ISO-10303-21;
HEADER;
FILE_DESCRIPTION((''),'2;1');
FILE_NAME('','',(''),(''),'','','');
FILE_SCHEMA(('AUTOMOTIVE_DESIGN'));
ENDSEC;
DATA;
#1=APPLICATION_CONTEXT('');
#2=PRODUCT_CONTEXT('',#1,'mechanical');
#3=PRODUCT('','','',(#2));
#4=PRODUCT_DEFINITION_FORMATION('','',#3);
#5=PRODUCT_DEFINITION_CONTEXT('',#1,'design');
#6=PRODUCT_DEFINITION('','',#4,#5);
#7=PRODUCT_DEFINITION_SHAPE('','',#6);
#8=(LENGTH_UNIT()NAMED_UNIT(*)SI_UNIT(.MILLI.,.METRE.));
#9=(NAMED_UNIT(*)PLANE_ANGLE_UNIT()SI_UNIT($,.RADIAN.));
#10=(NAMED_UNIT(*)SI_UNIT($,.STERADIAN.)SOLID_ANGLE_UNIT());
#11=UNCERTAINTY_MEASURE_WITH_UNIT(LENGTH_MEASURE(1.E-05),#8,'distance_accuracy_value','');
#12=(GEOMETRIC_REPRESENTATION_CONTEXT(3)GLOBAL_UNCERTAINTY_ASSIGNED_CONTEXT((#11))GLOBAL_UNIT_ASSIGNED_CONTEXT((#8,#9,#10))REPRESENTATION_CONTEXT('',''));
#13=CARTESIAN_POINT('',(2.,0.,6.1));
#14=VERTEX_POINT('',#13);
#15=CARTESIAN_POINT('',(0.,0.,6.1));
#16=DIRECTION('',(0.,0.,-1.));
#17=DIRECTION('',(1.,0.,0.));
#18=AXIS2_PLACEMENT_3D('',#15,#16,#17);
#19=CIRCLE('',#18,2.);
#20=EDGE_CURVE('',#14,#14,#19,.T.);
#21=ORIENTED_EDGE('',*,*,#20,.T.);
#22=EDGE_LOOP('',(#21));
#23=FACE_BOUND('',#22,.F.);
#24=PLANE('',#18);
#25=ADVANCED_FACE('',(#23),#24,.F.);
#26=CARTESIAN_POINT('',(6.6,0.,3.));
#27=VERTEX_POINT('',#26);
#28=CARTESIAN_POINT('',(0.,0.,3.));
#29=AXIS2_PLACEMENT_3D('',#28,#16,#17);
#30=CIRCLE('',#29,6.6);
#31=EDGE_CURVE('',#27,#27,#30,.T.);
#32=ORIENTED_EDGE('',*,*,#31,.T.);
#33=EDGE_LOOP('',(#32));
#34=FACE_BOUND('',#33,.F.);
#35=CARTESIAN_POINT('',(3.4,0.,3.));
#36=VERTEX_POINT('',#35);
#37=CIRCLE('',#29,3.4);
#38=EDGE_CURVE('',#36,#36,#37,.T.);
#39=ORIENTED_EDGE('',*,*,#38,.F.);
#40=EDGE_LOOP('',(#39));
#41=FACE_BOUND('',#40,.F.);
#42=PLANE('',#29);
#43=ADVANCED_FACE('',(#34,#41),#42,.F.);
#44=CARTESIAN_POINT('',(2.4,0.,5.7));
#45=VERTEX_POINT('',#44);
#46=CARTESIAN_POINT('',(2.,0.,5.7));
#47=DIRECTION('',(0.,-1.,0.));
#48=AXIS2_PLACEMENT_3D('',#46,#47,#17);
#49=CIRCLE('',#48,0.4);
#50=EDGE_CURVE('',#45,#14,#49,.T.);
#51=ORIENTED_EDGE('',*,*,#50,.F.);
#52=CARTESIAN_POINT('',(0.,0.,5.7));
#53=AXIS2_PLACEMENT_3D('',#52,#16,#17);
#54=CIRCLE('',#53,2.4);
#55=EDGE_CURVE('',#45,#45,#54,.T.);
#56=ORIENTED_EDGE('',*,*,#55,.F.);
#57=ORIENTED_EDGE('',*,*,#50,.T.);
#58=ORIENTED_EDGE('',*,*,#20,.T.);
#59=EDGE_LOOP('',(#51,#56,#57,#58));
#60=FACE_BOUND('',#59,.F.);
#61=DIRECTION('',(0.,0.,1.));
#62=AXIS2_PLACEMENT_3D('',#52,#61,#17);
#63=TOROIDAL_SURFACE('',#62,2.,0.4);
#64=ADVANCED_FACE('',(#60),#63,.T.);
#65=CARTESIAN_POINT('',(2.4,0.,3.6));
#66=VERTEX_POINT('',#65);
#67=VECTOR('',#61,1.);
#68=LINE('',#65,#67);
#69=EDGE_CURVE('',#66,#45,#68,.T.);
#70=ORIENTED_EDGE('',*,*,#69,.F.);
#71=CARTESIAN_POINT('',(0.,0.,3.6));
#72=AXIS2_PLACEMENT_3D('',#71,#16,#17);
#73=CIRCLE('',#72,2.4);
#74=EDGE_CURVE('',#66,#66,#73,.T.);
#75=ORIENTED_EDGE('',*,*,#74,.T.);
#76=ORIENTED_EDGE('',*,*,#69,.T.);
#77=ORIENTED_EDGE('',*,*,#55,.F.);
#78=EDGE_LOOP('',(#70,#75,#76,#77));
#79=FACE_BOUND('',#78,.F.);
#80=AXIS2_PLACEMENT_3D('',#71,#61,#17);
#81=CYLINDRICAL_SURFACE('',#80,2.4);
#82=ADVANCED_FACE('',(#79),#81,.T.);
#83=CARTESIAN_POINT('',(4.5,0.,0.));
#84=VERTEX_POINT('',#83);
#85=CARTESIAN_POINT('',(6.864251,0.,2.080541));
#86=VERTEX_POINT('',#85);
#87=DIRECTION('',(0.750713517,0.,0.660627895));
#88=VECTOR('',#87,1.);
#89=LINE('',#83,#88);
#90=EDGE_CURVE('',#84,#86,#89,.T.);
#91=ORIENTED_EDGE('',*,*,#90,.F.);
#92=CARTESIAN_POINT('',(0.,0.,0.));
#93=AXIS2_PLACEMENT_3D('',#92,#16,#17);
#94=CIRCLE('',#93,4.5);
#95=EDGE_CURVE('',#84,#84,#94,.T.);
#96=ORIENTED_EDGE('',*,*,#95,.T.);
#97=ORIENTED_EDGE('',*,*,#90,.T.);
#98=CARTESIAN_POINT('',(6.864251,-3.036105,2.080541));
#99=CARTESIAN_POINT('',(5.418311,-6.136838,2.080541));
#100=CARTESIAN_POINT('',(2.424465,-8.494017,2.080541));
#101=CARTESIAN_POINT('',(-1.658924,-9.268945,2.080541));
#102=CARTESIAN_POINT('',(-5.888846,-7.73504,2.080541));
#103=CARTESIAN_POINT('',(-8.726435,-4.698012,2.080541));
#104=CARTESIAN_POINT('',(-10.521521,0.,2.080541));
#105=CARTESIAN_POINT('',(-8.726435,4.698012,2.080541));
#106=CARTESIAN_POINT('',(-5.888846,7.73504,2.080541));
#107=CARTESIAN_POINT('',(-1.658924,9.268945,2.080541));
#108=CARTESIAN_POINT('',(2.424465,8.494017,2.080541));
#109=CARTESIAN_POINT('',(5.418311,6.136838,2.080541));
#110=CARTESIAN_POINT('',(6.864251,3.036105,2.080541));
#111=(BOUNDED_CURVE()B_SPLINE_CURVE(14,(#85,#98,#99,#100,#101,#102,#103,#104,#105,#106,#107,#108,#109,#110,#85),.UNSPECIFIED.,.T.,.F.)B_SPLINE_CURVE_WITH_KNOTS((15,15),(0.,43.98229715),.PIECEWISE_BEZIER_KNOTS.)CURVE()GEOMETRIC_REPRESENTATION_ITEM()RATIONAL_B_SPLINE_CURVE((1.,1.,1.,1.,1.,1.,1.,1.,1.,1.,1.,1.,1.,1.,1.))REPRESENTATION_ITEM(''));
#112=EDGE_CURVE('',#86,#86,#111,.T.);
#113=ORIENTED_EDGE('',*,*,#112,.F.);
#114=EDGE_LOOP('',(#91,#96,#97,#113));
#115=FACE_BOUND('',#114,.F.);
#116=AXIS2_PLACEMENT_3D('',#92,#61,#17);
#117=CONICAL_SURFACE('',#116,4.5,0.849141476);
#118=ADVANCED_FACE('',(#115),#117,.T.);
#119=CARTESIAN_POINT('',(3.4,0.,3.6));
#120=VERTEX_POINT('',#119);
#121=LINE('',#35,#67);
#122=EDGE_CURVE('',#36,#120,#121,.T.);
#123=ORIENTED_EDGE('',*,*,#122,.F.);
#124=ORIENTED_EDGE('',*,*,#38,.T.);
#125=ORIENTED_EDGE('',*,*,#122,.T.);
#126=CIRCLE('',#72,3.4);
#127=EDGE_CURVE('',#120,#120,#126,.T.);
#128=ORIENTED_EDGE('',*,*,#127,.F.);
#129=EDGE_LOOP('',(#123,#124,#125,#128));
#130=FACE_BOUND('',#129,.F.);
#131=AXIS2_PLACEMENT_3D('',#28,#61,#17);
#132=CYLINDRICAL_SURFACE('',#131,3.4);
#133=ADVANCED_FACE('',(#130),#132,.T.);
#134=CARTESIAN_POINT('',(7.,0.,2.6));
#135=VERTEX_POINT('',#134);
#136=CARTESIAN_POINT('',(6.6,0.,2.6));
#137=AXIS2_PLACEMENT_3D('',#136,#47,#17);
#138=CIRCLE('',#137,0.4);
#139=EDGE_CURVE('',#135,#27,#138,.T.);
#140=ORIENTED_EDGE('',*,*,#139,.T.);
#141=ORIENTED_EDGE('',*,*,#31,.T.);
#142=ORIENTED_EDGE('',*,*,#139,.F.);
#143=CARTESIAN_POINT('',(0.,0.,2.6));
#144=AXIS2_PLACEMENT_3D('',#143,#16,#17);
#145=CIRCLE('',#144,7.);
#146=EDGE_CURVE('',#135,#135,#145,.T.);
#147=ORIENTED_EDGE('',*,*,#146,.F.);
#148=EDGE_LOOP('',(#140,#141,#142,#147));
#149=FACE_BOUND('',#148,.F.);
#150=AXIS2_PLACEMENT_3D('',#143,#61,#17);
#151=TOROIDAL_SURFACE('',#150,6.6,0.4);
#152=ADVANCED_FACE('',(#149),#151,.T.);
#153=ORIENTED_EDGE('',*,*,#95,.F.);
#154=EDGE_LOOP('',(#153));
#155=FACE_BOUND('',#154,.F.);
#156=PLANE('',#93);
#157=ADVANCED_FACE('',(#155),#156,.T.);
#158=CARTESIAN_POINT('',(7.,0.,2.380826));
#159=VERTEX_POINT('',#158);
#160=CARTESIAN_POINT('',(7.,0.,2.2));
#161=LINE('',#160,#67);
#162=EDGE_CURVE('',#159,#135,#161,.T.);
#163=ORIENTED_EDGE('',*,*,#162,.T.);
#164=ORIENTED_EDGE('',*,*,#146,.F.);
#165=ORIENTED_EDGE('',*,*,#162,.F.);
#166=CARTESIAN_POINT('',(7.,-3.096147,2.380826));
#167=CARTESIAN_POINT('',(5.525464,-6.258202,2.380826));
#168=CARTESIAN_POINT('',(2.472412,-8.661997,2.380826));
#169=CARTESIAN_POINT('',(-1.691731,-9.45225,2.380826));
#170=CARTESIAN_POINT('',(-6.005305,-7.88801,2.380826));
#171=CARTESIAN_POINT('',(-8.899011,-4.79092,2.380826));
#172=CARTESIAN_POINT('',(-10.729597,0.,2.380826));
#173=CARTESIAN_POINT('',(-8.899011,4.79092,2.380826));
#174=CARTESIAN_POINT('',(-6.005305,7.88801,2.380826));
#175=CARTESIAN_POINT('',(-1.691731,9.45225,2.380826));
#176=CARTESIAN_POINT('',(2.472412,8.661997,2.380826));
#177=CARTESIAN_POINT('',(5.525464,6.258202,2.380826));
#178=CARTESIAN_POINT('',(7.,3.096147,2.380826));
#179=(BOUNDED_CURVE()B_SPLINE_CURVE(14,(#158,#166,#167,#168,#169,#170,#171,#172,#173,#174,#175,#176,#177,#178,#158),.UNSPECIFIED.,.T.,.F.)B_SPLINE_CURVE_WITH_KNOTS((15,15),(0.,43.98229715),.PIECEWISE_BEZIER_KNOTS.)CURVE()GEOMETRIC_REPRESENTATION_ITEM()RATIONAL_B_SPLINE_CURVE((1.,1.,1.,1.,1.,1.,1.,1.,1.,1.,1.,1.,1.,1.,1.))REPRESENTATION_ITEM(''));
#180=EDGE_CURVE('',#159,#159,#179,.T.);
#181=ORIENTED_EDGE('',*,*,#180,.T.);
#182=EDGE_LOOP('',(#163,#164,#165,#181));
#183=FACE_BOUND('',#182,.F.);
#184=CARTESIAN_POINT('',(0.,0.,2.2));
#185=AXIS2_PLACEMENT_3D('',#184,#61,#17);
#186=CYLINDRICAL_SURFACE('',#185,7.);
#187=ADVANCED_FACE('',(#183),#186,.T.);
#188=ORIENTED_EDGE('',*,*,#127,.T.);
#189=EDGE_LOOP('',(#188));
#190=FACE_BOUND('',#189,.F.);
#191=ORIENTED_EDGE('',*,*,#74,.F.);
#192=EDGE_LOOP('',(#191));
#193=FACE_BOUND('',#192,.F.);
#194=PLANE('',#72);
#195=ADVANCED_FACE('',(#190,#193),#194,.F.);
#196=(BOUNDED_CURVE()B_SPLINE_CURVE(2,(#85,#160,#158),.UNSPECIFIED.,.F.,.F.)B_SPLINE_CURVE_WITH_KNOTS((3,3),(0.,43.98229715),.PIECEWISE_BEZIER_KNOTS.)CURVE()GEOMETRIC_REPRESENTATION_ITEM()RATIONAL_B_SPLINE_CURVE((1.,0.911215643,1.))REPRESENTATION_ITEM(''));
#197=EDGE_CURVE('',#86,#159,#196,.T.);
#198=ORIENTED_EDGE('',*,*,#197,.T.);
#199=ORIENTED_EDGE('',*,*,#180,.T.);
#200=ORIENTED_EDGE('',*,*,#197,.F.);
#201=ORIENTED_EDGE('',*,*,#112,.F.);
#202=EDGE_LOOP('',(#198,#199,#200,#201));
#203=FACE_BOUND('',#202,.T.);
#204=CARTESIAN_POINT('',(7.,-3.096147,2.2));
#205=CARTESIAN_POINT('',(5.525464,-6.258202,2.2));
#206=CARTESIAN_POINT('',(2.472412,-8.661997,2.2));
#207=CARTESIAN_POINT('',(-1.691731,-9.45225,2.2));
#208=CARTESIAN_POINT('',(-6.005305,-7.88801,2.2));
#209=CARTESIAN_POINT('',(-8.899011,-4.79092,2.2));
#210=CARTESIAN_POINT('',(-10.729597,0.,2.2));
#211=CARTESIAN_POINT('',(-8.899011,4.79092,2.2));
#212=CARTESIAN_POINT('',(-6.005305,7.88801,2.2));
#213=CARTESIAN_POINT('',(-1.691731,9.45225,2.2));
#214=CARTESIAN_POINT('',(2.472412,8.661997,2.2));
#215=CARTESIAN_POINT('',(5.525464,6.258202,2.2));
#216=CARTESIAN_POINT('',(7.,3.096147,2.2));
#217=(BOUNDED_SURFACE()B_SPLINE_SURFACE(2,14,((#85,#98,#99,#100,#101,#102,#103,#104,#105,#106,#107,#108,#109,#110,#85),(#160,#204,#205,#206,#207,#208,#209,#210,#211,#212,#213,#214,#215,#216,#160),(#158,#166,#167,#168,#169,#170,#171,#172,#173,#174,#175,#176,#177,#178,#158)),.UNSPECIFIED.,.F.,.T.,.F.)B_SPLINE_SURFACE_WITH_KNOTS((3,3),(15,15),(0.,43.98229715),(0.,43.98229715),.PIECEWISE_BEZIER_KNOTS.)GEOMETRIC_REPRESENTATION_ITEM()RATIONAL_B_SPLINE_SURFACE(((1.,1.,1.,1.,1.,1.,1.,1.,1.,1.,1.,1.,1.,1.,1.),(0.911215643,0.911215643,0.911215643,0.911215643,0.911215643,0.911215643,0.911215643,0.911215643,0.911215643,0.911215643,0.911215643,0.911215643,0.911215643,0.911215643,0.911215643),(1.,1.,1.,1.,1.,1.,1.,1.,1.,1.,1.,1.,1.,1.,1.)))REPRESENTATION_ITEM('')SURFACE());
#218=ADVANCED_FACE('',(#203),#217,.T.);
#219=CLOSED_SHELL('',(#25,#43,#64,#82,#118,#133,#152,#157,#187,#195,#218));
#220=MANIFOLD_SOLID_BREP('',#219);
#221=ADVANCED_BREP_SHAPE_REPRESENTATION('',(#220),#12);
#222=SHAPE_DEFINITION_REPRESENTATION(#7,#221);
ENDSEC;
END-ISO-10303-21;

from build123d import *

# Parameters (mm, degrees)
F3_R = 0.4


with BuildPart() as f2:
    # F0 (on Front) → F2 (revolve)
    with BuildSketch(Plane.XZ):
        Polygon((0, 6.1), (0, 0), (4.5, 0), (7, 2.2), (7, 3), (3.4, 3), (3.4, 3.6), (2.4, 3.6), (2.4, 6.1), align=None)
    revolve(axis=Axis((0, 0, 11.599848), (0, 0, -1)))

    # F3
    f3_edges = [f2.edges().sort_by_distance(p)[0] for p in [
        (-7, 0, 2.2),
        (-2.4, 0, 6.1),
        (-7, 0, 3),
    ]]
    fillet(f3_edges, radius=F3_R)


solid = f2.part
